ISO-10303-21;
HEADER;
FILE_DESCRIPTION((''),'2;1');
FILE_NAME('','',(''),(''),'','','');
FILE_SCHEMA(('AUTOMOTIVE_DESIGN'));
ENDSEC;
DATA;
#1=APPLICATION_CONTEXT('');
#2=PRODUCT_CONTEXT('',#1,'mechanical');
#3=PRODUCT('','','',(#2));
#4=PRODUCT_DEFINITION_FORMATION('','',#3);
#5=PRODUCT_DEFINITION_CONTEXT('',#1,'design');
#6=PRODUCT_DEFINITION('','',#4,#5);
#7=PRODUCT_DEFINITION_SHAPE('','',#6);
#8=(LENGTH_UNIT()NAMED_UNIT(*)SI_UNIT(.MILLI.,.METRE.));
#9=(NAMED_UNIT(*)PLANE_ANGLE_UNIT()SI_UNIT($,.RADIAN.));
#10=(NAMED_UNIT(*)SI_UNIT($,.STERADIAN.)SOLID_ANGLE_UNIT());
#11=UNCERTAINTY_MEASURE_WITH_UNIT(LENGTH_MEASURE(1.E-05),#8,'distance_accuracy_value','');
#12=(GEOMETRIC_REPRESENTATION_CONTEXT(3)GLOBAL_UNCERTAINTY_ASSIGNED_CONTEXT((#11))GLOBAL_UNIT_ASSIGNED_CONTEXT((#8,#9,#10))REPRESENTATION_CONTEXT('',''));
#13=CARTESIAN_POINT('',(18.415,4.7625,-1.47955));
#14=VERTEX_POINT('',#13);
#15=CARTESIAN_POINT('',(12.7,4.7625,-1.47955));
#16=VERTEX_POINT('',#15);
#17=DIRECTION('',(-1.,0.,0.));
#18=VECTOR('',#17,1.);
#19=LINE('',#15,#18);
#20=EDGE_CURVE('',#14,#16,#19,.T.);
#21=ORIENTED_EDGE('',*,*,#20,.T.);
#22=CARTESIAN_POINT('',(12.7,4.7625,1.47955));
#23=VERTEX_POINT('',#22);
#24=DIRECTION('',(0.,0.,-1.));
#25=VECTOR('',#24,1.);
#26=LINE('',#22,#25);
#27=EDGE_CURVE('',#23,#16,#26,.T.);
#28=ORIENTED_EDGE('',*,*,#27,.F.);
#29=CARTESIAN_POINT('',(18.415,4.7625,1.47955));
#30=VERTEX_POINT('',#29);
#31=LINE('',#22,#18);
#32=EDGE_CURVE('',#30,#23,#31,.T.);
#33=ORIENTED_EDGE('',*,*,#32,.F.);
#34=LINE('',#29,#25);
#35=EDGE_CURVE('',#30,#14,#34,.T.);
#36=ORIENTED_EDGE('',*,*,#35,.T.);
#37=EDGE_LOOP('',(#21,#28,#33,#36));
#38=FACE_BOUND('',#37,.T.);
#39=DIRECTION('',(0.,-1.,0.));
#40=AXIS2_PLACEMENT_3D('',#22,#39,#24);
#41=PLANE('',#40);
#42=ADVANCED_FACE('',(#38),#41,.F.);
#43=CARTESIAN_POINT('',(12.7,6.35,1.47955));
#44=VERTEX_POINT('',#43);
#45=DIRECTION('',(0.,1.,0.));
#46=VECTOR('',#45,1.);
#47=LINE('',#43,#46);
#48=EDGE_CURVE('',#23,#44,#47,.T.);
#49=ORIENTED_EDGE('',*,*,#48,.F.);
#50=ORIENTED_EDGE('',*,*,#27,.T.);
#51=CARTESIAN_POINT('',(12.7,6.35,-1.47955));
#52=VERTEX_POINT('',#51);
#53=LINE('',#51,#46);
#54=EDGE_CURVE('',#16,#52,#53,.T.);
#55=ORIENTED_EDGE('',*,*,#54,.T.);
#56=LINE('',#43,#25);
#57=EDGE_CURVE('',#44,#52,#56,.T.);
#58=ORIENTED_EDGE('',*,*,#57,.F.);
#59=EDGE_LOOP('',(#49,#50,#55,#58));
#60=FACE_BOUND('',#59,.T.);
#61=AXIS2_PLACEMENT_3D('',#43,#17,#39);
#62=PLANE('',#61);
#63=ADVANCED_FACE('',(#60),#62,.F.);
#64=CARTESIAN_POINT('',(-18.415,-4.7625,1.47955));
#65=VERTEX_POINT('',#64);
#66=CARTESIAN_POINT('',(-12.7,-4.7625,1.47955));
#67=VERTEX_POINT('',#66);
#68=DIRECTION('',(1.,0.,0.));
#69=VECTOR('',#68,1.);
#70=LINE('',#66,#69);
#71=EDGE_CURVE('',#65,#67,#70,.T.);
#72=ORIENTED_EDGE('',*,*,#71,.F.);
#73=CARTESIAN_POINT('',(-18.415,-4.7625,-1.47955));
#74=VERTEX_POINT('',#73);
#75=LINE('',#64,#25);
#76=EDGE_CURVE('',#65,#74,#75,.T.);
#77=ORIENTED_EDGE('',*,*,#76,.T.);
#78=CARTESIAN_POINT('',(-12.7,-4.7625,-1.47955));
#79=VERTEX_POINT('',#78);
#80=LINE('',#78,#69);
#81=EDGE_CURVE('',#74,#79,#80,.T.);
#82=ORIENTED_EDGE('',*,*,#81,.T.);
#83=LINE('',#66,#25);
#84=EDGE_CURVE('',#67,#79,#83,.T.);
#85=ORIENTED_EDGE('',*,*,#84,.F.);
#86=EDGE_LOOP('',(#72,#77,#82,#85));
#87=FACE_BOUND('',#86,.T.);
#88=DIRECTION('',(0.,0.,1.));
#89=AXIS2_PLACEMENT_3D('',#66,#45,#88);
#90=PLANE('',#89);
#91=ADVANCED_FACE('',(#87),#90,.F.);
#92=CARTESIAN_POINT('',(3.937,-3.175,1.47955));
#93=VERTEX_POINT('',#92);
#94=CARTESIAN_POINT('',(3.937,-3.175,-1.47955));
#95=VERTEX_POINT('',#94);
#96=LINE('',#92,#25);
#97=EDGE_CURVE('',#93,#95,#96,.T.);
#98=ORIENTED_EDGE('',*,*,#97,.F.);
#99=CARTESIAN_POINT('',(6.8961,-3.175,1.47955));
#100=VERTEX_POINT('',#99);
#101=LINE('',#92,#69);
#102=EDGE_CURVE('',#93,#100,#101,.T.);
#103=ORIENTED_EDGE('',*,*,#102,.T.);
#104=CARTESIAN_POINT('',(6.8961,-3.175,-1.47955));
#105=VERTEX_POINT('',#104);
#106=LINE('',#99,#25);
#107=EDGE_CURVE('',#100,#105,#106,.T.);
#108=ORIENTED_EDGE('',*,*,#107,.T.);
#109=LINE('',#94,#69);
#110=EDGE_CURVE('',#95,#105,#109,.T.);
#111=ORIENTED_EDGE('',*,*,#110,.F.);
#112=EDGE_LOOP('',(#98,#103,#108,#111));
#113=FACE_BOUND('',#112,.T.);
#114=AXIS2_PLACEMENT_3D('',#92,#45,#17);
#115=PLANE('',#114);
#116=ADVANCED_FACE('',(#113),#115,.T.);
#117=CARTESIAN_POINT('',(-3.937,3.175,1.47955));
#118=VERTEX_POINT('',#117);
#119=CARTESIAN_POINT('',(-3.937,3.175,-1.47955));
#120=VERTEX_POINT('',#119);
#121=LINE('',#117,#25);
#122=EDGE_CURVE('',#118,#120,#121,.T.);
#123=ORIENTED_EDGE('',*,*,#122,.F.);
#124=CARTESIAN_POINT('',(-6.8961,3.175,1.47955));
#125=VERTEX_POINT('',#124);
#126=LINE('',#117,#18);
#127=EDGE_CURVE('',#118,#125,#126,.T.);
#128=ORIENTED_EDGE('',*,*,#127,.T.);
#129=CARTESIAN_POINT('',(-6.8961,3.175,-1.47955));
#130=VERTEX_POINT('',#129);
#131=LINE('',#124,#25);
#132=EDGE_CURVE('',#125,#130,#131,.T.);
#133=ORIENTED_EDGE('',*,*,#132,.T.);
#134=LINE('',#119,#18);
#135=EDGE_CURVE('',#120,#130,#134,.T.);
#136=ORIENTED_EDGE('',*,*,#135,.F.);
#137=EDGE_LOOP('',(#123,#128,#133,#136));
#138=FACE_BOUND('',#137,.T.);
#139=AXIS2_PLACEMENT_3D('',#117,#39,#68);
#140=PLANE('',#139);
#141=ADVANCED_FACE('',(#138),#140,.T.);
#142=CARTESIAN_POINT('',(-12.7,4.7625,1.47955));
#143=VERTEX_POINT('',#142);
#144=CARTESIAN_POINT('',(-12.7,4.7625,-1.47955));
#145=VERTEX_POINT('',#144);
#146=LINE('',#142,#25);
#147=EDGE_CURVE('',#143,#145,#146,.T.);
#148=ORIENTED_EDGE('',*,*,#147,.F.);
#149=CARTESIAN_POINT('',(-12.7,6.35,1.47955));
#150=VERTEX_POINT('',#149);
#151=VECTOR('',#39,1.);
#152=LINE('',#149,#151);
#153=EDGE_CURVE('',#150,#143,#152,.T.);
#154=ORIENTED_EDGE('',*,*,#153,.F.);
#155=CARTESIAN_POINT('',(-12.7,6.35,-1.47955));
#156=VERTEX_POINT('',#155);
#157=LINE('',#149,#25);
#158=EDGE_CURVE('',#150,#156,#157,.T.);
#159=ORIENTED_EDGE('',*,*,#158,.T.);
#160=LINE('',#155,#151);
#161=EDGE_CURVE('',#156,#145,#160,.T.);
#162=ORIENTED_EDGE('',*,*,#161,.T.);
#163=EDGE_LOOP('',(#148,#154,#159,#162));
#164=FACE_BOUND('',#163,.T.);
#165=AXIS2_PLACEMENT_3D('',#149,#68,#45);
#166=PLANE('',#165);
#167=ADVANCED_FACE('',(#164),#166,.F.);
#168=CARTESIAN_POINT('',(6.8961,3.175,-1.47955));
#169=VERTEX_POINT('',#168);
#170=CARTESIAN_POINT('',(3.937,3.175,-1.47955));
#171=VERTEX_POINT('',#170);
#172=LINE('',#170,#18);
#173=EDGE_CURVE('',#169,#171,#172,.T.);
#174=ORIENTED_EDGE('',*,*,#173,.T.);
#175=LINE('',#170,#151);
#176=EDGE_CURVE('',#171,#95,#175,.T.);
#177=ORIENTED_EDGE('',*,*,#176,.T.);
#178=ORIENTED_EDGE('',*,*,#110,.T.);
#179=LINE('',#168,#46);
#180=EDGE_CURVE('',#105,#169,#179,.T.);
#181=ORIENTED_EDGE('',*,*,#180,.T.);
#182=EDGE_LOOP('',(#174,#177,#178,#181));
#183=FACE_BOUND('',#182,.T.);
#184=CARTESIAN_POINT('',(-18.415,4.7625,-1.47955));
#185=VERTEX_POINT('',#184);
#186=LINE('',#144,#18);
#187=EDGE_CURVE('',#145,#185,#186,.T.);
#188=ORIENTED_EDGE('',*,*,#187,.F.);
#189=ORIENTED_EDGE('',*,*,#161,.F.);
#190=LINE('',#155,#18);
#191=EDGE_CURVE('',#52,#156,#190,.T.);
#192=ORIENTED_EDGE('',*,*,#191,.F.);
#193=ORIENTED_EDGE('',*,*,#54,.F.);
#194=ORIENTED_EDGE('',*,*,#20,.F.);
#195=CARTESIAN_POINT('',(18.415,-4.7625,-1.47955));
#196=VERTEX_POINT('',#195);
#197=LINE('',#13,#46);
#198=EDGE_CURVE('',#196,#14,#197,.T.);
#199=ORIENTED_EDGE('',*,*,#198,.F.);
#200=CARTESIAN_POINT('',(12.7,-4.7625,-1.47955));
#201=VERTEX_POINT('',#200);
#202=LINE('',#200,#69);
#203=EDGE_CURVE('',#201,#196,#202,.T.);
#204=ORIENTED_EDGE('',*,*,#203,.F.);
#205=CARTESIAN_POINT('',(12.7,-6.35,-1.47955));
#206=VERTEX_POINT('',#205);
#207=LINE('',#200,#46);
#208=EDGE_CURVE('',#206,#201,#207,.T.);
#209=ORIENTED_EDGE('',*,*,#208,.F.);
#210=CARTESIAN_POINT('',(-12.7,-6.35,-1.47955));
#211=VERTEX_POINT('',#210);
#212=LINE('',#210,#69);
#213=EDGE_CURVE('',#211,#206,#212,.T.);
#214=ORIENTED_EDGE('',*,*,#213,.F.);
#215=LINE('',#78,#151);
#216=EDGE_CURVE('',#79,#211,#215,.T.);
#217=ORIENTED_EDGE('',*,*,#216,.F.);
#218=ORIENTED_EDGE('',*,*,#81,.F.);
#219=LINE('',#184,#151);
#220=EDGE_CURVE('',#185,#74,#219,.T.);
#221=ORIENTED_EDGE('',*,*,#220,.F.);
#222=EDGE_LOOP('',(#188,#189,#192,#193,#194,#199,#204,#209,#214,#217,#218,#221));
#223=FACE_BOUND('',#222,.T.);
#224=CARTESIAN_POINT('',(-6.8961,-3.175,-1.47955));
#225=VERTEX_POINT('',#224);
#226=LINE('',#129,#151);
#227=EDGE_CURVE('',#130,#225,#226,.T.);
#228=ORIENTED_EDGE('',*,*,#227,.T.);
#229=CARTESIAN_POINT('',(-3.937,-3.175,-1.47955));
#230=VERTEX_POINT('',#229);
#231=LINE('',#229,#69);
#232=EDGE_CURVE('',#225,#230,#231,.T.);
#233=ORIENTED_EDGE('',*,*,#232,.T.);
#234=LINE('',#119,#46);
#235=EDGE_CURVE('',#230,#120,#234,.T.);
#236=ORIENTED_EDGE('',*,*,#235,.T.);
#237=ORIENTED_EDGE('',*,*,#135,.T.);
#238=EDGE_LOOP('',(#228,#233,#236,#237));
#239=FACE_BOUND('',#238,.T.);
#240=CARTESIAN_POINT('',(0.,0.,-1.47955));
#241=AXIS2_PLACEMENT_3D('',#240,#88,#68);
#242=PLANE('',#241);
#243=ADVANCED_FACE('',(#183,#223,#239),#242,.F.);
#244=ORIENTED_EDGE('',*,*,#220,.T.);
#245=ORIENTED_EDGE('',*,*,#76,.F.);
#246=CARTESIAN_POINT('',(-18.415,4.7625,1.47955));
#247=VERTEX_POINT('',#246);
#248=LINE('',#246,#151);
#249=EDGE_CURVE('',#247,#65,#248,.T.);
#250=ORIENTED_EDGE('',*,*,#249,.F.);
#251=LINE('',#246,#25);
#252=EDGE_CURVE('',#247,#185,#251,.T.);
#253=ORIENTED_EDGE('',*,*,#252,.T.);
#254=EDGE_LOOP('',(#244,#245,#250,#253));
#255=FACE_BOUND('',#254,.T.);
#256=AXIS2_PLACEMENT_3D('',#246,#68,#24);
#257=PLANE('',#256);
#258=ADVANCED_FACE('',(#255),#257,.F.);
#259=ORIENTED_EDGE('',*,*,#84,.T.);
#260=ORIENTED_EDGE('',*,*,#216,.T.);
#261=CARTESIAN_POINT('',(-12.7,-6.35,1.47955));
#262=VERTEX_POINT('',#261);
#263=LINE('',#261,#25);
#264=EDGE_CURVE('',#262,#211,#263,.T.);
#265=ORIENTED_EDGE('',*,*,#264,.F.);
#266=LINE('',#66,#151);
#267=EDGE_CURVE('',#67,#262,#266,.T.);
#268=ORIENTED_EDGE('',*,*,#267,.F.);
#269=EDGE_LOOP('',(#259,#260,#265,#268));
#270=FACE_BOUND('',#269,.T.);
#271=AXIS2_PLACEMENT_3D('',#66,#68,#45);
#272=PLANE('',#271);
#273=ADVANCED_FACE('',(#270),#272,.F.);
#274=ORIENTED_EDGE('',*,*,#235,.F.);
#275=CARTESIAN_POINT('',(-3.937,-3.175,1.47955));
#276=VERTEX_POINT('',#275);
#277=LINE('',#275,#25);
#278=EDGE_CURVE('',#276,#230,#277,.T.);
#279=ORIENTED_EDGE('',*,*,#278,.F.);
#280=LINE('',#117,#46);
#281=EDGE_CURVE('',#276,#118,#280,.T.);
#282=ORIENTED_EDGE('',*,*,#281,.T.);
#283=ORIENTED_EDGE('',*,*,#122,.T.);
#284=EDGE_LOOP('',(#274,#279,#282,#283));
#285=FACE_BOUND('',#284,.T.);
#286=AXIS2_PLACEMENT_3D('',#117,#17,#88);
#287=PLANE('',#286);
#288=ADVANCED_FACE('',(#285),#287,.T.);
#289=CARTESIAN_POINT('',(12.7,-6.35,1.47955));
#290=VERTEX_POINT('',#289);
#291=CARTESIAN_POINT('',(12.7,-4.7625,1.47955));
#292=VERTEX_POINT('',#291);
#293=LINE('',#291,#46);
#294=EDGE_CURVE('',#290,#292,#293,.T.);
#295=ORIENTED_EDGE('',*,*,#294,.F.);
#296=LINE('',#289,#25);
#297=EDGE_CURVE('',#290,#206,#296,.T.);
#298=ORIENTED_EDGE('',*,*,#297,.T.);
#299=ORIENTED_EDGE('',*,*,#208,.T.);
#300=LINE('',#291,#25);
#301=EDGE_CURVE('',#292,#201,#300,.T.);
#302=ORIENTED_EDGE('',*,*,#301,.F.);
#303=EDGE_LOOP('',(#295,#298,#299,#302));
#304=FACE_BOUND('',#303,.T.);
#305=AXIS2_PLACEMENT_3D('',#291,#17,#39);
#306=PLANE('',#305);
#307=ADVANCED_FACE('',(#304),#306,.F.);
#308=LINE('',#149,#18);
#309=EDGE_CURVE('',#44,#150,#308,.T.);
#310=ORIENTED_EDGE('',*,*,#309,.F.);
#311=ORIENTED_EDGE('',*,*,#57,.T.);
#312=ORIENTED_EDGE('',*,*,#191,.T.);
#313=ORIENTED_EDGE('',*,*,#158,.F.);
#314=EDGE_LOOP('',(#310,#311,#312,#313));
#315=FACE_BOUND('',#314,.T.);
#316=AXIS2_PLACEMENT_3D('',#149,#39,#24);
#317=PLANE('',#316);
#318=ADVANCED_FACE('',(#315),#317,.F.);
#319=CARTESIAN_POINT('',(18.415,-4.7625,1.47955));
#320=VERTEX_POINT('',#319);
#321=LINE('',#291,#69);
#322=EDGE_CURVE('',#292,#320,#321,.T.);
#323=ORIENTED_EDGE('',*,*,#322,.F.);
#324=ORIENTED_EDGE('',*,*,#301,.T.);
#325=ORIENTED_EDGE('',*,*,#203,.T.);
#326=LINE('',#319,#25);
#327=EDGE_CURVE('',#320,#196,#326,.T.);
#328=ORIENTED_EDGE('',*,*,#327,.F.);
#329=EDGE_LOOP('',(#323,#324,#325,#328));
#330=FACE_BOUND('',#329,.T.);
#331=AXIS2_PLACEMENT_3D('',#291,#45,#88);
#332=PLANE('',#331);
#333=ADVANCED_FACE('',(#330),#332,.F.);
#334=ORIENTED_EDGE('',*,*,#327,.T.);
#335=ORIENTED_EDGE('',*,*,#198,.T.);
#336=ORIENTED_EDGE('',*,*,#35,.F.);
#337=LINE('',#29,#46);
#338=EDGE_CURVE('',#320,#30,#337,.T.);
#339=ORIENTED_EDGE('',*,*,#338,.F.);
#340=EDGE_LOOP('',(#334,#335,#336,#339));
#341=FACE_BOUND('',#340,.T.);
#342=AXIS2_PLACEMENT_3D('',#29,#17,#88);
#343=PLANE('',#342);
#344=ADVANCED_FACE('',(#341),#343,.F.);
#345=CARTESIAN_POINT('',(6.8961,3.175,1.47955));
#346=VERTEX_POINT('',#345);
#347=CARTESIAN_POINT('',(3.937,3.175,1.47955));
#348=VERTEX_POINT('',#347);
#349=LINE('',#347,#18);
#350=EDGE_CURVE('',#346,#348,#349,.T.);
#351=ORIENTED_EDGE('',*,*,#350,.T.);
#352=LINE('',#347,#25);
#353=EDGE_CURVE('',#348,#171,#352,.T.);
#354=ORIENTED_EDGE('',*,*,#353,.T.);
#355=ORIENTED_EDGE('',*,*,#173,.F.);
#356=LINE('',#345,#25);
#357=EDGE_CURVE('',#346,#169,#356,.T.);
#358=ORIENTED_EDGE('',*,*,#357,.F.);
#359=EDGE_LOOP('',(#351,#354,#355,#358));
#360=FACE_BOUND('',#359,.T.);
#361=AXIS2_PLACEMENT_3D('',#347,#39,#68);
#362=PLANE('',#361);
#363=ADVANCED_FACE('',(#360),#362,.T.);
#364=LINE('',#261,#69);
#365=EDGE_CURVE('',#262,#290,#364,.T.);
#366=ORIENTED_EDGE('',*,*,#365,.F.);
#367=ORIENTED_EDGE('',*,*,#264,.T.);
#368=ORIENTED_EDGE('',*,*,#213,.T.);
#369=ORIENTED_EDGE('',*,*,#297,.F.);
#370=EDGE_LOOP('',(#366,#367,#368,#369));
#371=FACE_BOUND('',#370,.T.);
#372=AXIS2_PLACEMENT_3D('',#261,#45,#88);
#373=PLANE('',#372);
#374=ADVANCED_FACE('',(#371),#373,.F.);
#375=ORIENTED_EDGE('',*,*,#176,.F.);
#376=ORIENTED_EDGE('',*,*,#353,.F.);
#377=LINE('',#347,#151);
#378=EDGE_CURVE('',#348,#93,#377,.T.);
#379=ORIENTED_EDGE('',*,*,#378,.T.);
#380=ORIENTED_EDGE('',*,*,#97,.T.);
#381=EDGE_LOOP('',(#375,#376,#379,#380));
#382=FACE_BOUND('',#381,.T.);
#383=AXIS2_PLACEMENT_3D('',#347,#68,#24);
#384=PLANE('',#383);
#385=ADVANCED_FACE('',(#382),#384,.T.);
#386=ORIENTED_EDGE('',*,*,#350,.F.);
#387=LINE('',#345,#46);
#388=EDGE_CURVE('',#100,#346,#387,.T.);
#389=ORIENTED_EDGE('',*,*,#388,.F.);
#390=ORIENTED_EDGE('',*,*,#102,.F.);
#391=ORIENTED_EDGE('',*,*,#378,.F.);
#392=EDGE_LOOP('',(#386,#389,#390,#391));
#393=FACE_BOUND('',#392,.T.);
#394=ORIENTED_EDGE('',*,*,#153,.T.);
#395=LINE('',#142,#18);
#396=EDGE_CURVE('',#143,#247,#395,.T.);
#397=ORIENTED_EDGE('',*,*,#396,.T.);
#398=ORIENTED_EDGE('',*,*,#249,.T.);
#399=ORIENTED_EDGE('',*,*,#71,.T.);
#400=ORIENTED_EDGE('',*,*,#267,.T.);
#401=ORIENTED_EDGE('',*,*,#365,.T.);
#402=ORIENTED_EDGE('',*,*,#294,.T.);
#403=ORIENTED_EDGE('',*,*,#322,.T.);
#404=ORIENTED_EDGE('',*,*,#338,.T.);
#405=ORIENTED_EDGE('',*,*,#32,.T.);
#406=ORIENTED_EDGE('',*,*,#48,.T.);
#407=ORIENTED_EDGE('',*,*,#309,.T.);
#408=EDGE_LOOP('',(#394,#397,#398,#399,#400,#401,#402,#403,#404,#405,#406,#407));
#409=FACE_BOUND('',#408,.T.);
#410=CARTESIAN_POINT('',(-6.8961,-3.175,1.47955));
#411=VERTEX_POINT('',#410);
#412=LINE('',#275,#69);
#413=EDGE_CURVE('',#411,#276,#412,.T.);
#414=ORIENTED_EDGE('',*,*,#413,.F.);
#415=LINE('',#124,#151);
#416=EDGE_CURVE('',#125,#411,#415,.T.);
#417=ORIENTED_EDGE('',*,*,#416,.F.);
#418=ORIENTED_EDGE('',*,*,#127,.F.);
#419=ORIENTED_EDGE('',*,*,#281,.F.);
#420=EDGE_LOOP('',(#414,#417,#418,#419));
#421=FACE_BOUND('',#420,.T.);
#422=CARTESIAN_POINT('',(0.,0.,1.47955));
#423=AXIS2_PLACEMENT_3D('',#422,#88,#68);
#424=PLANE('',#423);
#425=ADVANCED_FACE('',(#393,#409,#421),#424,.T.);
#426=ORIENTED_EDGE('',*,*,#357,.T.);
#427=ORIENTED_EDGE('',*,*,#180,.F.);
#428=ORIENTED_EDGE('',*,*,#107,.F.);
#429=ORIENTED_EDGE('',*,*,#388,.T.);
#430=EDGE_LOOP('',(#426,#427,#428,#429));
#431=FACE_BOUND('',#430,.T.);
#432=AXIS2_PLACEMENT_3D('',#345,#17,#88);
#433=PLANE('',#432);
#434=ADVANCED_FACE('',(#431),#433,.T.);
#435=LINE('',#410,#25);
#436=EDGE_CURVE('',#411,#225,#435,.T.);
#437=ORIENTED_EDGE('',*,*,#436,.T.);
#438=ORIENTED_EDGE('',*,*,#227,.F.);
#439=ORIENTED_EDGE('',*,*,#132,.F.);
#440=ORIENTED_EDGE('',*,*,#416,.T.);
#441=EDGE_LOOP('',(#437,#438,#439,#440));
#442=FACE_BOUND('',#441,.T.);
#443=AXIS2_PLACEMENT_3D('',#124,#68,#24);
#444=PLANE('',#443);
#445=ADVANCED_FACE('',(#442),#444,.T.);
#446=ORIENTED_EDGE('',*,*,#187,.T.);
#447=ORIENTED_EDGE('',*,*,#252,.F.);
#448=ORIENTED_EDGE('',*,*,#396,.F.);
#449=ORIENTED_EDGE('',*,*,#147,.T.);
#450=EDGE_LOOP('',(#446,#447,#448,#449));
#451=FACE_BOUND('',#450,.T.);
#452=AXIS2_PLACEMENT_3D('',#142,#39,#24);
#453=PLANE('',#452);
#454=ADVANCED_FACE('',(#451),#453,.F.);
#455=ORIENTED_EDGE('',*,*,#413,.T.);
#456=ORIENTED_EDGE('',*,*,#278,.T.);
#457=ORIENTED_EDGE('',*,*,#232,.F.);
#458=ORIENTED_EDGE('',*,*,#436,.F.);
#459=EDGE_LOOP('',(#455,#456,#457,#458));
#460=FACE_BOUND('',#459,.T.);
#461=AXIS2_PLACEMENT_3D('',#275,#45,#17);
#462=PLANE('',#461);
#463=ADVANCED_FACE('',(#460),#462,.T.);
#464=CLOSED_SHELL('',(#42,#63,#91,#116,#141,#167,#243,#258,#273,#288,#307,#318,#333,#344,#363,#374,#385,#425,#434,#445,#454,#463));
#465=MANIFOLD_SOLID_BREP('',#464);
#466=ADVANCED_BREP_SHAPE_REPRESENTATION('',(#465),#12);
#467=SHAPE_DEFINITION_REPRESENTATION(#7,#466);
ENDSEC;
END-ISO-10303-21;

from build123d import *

# Parameters (mm, degrees)
SKETCH3_W           = 2.9591
SKETCH3_H           = 6.35
BOSS_EXTRUDE1_DEPTH = 1.47955


with BuildPart() as part:
    # Sketch3 → Boss-Extrude1 (new body, symmetric)
    with BuildSketch(Plane.XY):
        Polygon((-12.7, 6.35), (12.7, 6.35), (12.7, 4.7625), (18.415, 4.7625), (18.415, -4.7625), (12.7, -4.7625), (12.7, -6.35), (-12.7, -6.35), (-12.7, -4.7625), (-18.415, -4.7625), (-18.415, 4.7625), (-12.7, 4.7625), align=None)
        with Locations((-5.41655, 0)):
            Rectangle(SKETCH3_W, SKETCH3_H, mode=Mode.SUBTRACT)
        with Locations((5.41655, 0)):
            Rectangle(SKETCH3_W, SKETCH3_H, mode=Mode.SUBTRACT)
    extrude(amount=BOSS_EXTRUDE1_DEPTH, both=True)


solid = part.part
